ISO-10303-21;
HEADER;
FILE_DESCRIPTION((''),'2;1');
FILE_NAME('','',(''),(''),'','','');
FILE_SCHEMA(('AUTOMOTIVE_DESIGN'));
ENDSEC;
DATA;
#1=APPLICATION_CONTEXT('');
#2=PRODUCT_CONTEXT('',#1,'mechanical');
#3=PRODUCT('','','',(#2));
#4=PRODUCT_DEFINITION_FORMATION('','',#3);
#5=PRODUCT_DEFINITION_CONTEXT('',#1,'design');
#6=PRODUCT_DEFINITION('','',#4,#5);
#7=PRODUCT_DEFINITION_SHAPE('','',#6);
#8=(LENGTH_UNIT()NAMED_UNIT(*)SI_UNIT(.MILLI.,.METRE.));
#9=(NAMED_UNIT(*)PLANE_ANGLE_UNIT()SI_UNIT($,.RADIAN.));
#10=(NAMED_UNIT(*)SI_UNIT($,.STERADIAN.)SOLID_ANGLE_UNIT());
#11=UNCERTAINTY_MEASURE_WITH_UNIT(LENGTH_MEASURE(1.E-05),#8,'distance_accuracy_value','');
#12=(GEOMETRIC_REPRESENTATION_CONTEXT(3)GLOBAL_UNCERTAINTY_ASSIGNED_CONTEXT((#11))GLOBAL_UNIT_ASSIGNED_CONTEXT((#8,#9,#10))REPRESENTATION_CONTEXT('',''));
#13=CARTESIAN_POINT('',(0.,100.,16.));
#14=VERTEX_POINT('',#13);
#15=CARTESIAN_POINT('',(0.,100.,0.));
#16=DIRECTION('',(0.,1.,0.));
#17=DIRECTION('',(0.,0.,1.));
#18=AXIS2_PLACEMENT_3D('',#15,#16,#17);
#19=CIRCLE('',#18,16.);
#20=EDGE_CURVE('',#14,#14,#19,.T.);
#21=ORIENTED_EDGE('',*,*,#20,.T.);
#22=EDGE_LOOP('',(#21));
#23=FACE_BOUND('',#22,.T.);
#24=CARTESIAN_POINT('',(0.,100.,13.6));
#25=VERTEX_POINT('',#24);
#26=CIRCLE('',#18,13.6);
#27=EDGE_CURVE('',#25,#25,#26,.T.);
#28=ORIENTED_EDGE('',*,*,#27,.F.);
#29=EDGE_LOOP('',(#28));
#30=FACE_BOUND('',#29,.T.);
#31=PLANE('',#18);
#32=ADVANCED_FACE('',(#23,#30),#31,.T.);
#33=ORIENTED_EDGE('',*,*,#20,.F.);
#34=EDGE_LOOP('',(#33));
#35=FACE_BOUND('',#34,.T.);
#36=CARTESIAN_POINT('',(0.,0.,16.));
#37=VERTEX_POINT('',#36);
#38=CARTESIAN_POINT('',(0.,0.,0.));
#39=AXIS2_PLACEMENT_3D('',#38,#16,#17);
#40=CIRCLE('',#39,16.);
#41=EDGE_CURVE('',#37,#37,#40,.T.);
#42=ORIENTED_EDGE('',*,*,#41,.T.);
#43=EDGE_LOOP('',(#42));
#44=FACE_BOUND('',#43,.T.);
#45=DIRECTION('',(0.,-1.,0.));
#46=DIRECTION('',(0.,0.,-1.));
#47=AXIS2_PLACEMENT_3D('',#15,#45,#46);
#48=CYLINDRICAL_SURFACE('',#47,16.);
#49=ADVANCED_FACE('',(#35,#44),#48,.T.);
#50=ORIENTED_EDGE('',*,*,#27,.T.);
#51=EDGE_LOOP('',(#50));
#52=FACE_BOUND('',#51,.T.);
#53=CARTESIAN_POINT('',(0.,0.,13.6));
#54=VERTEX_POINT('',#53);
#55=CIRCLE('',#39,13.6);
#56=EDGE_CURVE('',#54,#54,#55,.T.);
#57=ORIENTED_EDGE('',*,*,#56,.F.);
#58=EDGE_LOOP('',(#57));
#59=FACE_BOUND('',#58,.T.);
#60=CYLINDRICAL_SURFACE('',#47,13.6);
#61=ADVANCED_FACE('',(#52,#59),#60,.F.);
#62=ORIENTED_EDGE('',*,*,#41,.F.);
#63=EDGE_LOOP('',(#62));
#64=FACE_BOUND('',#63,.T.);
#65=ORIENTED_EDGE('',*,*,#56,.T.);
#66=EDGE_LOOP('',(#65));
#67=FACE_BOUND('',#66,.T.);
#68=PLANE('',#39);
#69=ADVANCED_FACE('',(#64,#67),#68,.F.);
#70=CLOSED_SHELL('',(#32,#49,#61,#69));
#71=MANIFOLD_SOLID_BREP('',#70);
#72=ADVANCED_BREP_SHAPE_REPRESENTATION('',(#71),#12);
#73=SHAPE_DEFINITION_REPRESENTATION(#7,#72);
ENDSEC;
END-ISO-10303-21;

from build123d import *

# Parameters (mm, degrees)
SKETCH_1_R      = 16
SKETCH_1_R_2    = 13.6
EXTRUDE_1_DEPTH = 100


with BuildPart() as part:
    # 草图1 → 凸台-拉伸1 (new body)
    with BuildSketch(Plane(origin=(0, 0, 0), x_dir=(1, 0, 0), z_dir=(0, 1, 0))):
        with Locations(Location((0, 0, 0), (0, 0, 270))):
            Circle(SKETCH_1_R)
        with Locations(Location((0, 0, 0), (0, 0, 270))):
            Circle(SKETCH_1_R_2, mode=Mode.SUBTRACT)
    extrude(amount=EXTRUDE_1_DEPTH)


solid = part.part
